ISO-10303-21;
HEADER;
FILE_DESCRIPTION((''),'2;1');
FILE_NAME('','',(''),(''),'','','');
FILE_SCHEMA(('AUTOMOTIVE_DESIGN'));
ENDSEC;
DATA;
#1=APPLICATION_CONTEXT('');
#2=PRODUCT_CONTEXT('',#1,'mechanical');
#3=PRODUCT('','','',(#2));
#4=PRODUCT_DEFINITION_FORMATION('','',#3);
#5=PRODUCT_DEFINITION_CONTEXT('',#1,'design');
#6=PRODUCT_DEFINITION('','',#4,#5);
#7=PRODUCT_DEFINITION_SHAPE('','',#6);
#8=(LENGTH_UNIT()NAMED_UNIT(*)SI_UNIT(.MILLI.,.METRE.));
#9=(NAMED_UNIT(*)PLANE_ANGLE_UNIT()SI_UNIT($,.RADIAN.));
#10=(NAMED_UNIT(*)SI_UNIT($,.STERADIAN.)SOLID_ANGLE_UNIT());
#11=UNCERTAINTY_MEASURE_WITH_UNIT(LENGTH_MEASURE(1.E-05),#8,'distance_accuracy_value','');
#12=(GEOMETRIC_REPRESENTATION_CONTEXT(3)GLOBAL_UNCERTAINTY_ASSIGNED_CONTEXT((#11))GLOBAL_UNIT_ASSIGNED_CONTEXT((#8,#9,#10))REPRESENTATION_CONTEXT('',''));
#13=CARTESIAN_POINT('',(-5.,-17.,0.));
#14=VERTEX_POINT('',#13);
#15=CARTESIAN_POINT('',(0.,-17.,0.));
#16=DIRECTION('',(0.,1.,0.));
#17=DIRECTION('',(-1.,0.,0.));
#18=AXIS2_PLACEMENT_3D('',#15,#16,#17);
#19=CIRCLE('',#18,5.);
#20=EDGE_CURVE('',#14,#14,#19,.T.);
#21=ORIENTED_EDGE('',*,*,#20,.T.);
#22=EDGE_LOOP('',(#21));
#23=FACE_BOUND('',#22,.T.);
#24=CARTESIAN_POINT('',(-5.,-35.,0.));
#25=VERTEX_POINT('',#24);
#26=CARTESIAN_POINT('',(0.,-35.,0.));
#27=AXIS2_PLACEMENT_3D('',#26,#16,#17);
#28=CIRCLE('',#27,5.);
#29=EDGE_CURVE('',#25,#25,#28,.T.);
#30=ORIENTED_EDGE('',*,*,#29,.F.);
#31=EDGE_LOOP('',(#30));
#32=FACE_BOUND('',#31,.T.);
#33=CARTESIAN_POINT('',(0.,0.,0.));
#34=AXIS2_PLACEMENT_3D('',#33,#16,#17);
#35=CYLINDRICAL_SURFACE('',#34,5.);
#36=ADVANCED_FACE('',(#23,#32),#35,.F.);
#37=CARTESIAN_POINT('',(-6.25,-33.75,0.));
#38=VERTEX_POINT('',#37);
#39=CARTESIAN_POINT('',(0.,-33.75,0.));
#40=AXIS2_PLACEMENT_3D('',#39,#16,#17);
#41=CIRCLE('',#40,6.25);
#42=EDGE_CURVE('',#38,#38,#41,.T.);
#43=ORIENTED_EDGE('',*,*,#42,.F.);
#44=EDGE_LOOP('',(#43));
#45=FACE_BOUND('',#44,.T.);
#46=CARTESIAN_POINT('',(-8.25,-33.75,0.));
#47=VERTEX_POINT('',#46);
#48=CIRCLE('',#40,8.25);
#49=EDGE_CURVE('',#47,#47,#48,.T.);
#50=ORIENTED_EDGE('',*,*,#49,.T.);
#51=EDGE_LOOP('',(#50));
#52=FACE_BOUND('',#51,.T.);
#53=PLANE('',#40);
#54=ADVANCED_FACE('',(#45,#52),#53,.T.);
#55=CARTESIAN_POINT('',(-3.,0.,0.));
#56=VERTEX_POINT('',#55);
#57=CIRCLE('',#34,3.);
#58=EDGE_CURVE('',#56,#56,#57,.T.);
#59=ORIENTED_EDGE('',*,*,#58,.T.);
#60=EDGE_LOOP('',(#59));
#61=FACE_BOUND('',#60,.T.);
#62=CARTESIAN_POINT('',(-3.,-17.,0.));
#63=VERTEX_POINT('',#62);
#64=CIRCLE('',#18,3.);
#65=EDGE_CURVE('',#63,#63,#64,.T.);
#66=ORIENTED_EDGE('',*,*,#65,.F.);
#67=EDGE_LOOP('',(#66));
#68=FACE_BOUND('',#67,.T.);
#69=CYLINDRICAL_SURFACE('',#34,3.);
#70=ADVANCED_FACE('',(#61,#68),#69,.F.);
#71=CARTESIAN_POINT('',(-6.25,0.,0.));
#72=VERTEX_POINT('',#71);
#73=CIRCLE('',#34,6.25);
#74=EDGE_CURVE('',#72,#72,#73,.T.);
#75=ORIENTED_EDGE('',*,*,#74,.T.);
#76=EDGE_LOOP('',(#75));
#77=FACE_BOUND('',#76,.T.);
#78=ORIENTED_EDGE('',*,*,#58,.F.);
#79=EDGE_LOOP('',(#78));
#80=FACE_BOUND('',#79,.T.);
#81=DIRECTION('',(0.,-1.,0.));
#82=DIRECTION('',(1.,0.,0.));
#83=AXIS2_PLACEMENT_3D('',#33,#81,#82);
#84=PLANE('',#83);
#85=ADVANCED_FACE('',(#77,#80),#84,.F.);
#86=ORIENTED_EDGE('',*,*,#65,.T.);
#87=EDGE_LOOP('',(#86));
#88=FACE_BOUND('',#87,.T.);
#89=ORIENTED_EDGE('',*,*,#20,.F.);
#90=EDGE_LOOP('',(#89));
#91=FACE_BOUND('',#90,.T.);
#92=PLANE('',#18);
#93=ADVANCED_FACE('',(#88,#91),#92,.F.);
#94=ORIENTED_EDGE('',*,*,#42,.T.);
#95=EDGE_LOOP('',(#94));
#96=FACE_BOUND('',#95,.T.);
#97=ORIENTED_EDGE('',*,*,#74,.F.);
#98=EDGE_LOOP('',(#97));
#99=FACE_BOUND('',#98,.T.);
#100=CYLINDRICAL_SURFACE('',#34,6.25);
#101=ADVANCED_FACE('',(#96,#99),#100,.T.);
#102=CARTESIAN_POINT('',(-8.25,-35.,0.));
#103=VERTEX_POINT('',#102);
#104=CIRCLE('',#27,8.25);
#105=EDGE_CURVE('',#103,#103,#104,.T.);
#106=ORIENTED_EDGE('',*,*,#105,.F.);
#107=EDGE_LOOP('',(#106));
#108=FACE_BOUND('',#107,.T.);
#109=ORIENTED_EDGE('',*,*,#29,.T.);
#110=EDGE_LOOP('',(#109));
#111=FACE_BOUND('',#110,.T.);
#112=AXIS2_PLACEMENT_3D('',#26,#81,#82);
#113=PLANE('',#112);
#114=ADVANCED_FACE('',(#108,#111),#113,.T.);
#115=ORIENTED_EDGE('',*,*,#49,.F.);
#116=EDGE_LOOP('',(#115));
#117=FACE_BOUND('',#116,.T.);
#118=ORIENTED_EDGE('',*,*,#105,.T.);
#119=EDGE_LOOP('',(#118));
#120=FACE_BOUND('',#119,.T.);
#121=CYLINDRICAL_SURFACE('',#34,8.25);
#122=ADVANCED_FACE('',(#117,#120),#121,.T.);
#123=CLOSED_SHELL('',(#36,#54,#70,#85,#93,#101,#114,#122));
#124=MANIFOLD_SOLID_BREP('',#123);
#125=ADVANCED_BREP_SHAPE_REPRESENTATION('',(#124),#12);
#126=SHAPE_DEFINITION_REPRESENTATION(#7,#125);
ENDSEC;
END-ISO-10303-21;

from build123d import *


with BuildPart() as part:
    # Sketch1 → Revolve1 (revolve)
    with BuildSketch(Plane.XY):
        Polygon((-5, -17), (-5, -35), (-8.25, -35), (-8.25, -33.75), (-6.25, -33.75), (-6.25, 0), (-3, 0), (-3, -17), align=None)
    revolve(axis=Axis((0, 0, 0), (0, -1, 0)))


solid = part.part
